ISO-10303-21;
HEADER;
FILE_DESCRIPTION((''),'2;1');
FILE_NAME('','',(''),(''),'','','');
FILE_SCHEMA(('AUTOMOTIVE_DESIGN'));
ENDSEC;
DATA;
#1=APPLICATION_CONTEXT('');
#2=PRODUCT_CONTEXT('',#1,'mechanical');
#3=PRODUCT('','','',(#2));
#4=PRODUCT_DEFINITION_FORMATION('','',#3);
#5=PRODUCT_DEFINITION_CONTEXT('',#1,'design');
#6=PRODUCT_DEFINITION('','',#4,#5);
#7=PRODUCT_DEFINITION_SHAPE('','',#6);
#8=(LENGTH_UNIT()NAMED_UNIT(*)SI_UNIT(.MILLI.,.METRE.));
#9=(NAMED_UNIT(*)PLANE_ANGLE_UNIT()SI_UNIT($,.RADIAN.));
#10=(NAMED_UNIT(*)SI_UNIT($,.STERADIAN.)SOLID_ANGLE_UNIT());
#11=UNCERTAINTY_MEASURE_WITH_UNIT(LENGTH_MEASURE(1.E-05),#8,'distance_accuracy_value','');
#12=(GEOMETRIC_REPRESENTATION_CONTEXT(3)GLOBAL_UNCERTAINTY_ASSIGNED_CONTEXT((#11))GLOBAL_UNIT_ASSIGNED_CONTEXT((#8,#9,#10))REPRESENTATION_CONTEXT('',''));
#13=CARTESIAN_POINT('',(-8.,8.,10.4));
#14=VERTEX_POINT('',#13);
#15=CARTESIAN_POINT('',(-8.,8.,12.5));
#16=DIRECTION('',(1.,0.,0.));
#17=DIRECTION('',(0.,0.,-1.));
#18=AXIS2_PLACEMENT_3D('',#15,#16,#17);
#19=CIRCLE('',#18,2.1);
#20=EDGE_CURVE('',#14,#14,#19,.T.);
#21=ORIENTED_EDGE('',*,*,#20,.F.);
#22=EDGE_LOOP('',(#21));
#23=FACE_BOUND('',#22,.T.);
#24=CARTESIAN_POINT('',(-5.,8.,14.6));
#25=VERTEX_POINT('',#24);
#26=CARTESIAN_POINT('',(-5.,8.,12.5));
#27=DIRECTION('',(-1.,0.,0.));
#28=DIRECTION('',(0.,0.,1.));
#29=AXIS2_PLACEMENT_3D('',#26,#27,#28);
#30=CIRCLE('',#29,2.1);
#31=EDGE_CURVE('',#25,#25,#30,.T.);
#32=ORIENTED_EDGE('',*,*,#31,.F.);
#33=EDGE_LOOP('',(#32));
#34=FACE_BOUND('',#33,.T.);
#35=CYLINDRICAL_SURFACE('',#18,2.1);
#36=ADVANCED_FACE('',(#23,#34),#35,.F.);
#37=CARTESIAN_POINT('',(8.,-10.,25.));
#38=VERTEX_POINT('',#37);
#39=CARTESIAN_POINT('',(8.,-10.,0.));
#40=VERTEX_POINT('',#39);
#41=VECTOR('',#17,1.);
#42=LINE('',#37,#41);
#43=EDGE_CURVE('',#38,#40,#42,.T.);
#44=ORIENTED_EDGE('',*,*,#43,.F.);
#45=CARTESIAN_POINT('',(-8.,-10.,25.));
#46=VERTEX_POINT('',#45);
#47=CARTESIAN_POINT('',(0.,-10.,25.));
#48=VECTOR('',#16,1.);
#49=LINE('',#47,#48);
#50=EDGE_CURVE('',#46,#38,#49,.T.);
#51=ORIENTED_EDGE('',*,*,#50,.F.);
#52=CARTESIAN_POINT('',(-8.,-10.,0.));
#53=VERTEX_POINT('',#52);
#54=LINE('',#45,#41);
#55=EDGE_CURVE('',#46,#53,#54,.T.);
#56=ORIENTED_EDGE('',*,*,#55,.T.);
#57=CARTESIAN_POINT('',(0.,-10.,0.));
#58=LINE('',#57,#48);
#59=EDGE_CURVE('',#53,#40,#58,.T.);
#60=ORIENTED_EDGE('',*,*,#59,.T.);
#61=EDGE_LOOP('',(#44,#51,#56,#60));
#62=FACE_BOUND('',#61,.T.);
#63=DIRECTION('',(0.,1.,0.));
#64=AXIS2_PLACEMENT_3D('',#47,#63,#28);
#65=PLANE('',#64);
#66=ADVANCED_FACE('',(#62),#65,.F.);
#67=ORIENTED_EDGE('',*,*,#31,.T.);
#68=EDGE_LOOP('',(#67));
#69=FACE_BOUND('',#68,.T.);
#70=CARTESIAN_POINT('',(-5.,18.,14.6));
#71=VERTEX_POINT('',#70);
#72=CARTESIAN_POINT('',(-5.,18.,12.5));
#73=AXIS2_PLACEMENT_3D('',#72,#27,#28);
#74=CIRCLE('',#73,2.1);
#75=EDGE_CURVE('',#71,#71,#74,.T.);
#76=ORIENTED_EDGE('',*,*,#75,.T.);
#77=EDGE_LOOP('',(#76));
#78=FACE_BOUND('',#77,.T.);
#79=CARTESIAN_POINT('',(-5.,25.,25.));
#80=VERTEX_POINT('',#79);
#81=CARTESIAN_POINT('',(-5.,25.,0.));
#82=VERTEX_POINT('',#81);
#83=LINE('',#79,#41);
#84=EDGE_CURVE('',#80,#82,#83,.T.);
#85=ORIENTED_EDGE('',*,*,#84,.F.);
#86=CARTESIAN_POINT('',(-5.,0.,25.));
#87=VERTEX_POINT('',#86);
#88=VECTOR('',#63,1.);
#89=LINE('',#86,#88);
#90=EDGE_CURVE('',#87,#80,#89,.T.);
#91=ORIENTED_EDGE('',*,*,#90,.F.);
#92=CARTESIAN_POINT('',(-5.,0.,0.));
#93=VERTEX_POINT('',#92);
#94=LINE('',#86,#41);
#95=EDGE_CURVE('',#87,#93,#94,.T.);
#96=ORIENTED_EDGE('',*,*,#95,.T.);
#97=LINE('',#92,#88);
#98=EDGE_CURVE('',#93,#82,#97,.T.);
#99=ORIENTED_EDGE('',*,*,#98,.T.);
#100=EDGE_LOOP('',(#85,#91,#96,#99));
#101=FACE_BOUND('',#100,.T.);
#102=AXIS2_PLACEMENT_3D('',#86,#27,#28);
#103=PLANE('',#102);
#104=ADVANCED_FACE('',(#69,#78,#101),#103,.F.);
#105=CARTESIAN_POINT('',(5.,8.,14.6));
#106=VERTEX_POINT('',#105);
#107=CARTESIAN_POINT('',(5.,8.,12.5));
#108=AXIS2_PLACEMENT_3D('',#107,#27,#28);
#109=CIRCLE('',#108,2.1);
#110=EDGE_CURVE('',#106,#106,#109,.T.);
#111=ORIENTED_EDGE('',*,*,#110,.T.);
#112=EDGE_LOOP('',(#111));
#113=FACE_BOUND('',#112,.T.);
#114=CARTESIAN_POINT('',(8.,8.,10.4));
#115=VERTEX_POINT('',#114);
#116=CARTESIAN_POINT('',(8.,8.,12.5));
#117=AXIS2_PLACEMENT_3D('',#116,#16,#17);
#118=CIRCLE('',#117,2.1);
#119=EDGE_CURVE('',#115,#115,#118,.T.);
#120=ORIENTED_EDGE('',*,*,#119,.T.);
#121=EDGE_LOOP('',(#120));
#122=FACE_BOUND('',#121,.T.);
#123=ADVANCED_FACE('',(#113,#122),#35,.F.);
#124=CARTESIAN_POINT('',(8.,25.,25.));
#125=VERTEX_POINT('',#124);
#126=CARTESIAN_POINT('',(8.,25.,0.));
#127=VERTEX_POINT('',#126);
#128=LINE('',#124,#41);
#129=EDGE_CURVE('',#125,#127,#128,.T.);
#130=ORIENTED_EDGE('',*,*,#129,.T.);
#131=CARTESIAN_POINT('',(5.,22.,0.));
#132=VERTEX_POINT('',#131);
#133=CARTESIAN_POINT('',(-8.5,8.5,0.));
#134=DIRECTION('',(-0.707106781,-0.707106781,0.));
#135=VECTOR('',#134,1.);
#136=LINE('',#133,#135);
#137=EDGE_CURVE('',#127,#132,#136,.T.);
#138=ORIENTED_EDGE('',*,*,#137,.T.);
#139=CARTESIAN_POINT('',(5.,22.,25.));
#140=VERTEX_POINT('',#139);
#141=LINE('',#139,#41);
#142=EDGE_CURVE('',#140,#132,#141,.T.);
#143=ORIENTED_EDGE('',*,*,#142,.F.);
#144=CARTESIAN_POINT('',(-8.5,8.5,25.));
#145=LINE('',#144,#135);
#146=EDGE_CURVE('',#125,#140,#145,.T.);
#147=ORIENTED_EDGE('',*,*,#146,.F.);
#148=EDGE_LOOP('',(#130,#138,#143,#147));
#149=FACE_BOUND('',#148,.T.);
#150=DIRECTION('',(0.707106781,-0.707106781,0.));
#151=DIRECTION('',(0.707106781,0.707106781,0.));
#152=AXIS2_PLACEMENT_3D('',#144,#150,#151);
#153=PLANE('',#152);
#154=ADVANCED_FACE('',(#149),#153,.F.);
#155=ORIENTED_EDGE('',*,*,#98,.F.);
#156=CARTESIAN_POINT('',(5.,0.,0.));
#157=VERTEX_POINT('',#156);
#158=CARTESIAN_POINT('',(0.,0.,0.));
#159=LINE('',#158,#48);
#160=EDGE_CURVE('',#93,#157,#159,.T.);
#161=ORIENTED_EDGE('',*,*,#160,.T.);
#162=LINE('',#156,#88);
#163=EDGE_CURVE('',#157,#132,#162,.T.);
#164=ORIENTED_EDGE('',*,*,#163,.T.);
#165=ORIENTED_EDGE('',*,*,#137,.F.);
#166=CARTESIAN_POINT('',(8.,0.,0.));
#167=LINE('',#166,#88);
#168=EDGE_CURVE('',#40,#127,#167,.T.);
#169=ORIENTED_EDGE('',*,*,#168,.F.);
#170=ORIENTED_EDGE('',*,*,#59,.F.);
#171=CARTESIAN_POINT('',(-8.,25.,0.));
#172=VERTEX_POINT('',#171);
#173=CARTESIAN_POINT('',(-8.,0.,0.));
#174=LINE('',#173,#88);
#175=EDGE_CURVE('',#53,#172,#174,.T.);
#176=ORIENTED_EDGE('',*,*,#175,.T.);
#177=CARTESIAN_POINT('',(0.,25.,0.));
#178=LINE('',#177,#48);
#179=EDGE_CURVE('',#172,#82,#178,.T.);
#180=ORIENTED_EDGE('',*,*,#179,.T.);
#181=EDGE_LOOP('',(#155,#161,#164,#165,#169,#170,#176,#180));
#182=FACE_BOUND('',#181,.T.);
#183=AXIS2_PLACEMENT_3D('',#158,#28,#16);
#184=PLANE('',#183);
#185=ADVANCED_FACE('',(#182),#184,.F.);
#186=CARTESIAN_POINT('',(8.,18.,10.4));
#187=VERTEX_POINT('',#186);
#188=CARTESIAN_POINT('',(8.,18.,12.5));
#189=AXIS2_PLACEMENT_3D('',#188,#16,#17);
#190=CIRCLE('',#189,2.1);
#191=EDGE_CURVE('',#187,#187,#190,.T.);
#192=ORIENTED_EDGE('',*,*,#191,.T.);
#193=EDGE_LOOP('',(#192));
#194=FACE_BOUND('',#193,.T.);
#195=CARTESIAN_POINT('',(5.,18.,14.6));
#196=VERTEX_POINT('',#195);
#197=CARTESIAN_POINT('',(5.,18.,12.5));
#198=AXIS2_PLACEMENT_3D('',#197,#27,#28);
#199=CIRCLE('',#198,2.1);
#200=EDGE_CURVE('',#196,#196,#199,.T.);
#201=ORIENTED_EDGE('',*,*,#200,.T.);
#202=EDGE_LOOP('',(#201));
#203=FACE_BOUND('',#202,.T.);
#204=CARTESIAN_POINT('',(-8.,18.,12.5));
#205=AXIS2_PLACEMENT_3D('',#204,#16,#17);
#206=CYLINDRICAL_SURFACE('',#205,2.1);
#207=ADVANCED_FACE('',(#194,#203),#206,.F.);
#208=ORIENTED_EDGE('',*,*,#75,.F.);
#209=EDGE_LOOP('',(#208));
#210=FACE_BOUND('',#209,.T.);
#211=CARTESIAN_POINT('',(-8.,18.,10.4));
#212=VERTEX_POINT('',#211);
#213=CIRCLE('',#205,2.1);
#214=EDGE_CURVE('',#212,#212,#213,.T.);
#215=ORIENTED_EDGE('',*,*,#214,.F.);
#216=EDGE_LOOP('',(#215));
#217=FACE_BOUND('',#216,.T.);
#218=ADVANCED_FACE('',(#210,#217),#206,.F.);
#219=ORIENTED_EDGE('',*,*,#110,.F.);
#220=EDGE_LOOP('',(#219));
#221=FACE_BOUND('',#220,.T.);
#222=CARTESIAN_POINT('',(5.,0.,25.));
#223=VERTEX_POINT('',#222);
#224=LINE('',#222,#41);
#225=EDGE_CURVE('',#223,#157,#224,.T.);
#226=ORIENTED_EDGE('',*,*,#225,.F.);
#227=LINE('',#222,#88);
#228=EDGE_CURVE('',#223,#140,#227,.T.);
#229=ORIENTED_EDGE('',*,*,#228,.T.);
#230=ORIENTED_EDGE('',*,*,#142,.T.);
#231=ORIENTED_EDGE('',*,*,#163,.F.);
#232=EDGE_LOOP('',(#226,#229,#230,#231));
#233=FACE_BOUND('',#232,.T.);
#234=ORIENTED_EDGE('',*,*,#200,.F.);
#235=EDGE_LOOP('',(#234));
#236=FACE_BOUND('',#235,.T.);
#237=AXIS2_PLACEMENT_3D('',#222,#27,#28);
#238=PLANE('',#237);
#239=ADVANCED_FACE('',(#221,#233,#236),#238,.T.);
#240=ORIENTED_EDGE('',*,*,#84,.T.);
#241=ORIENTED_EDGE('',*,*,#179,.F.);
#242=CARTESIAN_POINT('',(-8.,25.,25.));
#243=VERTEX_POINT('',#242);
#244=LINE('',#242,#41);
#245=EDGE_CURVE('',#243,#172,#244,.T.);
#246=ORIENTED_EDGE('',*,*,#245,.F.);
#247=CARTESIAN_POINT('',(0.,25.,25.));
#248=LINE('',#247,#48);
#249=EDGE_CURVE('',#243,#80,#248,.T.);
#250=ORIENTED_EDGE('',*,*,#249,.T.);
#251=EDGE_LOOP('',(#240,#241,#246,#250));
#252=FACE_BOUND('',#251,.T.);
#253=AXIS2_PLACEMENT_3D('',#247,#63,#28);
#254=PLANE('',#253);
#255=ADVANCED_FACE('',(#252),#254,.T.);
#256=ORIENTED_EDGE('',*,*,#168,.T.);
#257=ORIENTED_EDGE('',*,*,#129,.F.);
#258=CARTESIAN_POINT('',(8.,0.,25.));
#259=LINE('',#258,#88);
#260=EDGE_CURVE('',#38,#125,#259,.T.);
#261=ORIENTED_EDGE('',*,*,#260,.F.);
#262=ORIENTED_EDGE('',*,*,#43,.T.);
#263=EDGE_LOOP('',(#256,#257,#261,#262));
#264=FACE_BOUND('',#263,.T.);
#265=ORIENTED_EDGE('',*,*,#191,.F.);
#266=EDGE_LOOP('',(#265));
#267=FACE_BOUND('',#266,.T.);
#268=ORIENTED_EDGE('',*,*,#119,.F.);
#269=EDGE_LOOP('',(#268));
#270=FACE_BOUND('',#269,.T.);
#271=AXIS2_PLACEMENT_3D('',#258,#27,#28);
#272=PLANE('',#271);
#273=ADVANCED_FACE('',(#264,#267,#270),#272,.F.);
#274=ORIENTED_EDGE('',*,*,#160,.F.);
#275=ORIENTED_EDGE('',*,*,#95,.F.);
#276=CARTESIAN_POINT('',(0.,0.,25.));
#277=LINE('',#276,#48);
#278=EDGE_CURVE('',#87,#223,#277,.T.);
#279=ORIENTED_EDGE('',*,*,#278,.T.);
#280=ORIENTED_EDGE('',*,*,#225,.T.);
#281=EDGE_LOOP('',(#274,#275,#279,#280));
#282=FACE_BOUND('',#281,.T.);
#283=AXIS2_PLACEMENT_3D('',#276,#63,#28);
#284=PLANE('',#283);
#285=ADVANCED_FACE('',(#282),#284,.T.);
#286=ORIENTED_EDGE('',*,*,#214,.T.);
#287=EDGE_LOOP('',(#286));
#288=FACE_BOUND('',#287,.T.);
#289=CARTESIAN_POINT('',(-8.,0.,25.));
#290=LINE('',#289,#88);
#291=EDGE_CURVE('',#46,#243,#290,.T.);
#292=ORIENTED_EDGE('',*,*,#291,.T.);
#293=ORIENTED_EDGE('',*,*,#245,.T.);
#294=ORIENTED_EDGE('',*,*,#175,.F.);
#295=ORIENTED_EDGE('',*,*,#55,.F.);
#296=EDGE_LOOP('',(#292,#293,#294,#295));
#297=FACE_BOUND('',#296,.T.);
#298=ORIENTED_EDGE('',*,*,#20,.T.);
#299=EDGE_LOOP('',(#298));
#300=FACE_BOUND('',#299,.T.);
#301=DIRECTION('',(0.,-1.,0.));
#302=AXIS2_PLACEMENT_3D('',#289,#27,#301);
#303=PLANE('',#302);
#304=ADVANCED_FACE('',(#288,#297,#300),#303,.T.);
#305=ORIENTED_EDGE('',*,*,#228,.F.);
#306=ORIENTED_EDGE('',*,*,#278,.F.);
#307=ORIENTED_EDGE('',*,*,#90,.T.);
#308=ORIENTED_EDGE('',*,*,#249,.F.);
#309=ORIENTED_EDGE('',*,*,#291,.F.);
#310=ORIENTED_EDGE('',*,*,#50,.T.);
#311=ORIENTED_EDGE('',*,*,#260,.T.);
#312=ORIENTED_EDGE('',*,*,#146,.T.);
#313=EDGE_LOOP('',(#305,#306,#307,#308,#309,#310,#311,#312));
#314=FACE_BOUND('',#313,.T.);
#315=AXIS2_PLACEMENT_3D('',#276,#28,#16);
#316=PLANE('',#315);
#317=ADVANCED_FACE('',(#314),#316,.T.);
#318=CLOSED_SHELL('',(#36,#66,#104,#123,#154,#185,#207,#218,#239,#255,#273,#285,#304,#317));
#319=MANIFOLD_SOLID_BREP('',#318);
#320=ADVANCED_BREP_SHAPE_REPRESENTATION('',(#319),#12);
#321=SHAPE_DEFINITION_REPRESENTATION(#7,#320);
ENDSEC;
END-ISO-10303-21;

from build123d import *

# Parameters (mm, degrees)
EXTRUDE_1_DEPTH          = 25
SKETCH_2_R               = 2.1
CUT_EXTRUDE_1_DEPTH      = 37.249137921
CUT_EXTRUDE_2_DEPTH      = 37.249137921
CUT_EXTRUDE_2_DEPTH_BACK = 37.249137921
SKETCH_2_2_R             = 2.1


with BuildPart() as part:
    # 草图1 → 凸台-拉伸1 (new body)
    with BuildSketch(Plane.XY):
        Polygon((-8, -10), (8, -10), (8, 25), (5, 22), (5, 0), (-5, 0), (-5, 25), (-8, 25), align=None)
    extrude(amount=EXTRUDE_1_DEPTH)

    # 草图2 → 切除-拉伸1 (cut, through all)
    with BuildSketch(Plane(origin=(0, 0, 0), x_dir=(0, 0, -1), z_dir=(1, 0, 0))):
        with Locations((-12.5, 8)):
            Circle(SKETCH_2_R)
        with Locations((-12.5, 18)):
            Circle(SKETCH_2_R)
    extrude(amount=-CUT_EXTRUDE_1_DEPTH, mode=Mode.SUBTRACT)

    # 草图2<2> → 切除-拉伸2 (cut, two sides: drawn at the far end of the back side and taken through both)
    with BuildSketch(Plane(origin=(0, 0, 0), x_dir=(0, 0, -1), z_dir=(1, 0, 0)).offset(-CUT_EXTRUDE_2_DEPTH_BACK)):
        with Locations((-12.5, 8)):
            Circle(SKETCH_2_2_R)
        with Locations((-12.5, 18)):
            Circle(SKETCH_2_2_R)
    extrude(amount=CUT_EXTRUDE_2_DEPTH + CUT_EXTRUDE_2_DEPTH_BACK, mode=Mode.SUBTRACT)


solid = part.part
